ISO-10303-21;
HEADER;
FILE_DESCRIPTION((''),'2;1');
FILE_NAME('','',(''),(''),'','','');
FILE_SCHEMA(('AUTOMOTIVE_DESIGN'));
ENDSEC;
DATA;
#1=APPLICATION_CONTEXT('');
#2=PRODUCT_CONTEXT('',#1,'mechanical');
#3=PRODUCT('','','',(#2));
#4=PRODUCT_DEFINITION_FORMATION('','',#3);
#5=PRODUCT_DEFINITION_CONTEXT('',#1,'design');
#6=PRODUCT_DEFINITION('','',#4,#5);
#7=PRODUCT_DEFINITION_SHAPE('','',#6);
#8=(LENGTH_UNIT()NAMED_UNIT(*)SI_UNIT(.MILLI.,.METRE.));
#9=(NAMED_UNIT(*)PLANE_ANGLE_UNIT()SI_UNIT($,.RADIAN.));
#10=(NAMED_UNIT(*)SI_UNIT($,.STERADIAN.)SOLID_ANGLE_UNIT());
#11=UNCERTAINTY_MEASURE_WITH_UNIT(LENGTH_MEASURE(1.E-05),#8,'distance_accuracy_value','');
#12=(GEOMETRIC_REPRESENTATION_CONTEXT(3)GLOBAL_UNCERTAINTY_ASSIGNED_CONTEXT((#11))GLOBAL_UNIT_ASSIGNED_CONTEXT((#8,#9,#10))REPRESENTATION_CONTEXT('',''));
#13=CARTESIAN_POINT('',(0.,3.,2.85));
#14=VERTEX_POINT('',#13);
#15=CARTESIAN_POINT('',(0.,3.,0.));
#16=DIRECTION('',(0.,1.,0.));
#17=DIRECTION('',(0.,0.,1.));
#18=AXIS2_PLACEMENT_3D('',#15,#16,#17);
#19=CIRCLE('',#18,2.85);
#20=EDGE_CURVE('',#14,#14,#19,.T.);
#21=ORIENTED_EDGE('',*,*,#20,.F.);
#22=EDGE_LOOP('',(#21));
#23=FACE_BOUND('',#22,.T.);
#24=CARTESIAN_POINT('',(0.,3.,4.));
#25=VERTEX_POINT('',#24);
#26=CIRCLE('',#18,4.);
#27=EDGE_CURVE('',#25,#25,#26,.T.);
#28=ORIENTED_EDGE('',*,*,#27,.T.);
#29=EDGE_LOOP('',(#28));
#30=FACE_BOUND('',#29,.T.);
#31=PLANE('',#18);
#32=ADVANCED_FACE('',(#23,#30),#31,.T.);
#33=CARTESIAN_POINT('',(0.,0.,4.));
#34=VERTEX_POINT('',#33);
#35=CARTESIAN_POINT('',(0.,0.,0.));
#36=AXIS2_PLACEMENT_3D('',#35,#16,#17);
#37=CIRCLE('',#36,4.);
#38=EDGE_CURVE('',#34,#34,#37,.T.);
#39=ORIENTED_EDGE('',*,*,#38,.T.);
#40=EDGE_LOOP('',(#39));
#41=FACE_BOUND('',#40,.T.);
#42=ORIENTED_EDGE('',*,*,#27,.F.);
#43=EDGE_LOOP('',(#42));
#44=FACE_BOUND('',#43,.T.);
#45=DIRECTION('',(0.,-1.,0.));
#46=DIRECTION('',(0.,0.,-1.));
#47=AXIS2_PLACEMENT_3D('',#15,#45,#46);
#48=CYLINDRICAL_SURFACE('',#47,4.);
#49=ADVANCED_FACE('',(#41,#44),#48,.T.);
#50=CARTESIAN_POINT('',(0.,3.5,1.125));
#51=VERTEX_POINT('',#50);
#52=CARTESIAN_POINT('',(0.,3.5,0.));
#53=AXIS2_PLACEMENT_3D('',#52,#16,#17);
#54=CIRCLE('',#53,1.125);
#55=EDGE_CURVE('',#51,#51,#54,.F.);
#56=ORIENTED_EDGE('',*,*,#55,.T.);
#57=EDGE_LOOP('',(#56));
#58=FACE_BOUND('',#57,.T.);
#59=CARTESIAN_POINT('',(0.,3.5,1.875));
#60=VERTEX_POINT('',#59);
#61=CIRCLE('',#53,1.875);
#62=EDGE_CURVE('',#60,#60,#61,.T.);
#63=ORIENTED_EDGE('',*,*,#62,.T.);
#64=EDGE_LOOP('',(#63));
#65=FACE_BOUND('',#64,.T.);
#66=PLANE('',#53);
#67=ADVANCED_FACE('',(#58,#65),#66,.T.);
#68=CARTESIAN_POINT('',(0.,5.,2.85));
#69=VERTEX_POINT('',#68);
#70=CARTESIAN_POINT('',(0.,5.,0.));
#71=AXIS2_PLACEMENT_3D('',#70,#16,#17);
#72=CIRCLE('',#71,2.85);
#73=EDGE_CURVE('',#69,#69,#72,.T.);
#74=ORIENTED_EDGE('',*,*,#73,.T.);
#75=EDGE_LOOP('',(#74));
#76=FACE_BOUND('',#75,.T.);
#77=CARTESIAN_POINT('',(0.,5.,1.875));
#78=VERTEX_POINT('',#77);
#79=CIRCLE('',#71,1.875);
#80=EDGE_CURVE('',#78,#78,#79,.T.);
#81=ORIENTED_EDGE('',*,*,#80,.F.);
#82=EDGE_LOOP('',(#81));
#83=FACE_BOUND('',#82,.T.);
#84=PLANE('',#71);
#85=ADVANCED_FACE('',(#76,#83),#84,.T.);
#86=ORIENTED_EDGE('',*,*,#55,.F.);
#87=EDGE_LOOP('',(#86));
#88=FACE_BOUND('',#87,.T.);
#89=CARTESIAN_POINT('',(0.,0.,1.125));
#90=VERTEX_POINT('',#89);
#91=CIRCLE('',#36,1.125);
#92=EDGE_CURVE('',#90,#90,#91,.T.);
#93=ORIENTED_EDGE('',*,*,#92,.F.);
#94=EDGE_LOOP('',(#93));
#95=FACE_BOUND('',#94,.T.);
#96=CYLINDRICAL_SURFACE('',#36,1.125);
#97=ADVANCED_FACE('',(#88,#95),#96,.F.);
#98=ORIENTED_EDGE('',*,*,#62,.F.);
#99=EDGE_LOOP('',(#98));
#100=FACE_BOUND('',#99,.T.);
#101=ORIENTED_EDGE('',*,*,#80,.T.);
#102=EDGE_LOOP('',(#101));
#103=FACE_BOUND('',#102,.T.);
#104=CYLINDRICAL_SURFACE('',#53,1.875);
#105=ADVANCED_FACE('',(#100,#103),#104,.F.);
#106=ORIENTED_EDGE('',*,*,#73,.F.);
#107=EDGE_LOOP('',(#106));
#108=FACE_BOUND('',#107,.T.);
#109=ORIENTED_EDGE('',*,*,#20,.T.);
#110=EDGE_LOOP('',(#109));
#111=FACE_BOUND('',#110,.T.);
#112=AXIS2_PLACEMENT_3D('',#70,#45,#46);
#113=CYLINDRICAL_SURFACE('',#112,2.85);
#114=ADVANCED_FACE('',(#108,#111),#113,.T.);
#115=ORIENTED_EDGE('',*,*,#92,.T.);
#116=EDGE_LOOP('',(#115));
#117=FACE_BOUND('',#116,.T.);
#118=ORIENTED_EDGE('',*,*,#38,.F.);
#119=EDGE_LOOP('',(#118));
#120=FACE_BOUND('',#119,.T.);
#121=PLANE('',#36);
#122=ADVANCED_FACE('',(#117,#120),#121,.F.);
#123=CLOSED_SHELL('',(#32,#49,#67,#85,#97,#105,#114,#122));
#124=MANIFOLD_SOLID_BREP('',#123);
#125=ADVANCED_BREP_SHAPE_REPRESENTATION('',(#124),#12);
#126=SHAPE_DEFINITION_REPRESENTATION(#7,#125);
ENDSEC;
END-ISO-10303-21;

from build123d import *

# Parameters (mm, degrees)
CROQUIS1_R              = 4
SALIENTE_EXTRUIR1_DEPTH = 3
CROQUIS2_R              = 2.85
SALIENTE_EXTRUIR2_DEPTH = 2
CROQUIS3_R              = 1.125
CORTAR_EXTRUIR1_DEPTH   = 8.549834435
CROQUIS4_R              = 1.875
CORTAR_EXTRUIR2_DEPTH   = 1.5


with BuildPart() as part:
    # Croquis1 → Saliente-Extruir1 (new body)
    with BuildSketch(Plane(origin=(0, 0, 0), x_dir=(1, 0, 0), z_dir=(0, 1, 0))):
        with Locations(Location((0, 0, 0), (0, 0, 270))):
            Circle(CROQUIS1_R)
    extrude(amount=SALIENTE_EXTRUIR1_DEPTH)

    # Croquis2 → Saliente-Extruir2 (add)
    with BuildSketch(Plane(origin=(0, 3, 0), x_dir=(1, 0, 0), z_dir=(0, 1, 0))):
        with Locations(Location((0, 0, 0), (0, 0, 270))):
            Circle(CROQUIS2_R)
    extrude(amount=SALIENTE_EXTRUIR2_DEPTH)

    # Croquis3 → Cortar-Extruir1 (cut, through all)
    with BuildSketch(Plane(origin=(0, 5, 0), x_dir=(1, 0, 0), z_dir=(0, 1, 0))):
        with Locations(Location((0, 0, 0), (0, 0, 270))):
            Circle(CROQUIS3_R)
    extrude(amount=-CORTAR_EXTRUIR1_DEPTH, mode=Mode.SUBTRACT)

    # Croquis4 → Cortar-Extruir2 (cut)
    with BuildSketch(Plane(origin=(0, 5, 0), x_dir=(1, 0, 0), z_dir=(0, 1, 0))):
        with Locations(Location((0, 0, 0), (0, 0, 270))):
            Circle(CROQUIS4_R)
    extrude(amount=-CORTAR_EXTRUIR2_DEPTH, mode=Mode.SUBTRACT)


solid = part.part
